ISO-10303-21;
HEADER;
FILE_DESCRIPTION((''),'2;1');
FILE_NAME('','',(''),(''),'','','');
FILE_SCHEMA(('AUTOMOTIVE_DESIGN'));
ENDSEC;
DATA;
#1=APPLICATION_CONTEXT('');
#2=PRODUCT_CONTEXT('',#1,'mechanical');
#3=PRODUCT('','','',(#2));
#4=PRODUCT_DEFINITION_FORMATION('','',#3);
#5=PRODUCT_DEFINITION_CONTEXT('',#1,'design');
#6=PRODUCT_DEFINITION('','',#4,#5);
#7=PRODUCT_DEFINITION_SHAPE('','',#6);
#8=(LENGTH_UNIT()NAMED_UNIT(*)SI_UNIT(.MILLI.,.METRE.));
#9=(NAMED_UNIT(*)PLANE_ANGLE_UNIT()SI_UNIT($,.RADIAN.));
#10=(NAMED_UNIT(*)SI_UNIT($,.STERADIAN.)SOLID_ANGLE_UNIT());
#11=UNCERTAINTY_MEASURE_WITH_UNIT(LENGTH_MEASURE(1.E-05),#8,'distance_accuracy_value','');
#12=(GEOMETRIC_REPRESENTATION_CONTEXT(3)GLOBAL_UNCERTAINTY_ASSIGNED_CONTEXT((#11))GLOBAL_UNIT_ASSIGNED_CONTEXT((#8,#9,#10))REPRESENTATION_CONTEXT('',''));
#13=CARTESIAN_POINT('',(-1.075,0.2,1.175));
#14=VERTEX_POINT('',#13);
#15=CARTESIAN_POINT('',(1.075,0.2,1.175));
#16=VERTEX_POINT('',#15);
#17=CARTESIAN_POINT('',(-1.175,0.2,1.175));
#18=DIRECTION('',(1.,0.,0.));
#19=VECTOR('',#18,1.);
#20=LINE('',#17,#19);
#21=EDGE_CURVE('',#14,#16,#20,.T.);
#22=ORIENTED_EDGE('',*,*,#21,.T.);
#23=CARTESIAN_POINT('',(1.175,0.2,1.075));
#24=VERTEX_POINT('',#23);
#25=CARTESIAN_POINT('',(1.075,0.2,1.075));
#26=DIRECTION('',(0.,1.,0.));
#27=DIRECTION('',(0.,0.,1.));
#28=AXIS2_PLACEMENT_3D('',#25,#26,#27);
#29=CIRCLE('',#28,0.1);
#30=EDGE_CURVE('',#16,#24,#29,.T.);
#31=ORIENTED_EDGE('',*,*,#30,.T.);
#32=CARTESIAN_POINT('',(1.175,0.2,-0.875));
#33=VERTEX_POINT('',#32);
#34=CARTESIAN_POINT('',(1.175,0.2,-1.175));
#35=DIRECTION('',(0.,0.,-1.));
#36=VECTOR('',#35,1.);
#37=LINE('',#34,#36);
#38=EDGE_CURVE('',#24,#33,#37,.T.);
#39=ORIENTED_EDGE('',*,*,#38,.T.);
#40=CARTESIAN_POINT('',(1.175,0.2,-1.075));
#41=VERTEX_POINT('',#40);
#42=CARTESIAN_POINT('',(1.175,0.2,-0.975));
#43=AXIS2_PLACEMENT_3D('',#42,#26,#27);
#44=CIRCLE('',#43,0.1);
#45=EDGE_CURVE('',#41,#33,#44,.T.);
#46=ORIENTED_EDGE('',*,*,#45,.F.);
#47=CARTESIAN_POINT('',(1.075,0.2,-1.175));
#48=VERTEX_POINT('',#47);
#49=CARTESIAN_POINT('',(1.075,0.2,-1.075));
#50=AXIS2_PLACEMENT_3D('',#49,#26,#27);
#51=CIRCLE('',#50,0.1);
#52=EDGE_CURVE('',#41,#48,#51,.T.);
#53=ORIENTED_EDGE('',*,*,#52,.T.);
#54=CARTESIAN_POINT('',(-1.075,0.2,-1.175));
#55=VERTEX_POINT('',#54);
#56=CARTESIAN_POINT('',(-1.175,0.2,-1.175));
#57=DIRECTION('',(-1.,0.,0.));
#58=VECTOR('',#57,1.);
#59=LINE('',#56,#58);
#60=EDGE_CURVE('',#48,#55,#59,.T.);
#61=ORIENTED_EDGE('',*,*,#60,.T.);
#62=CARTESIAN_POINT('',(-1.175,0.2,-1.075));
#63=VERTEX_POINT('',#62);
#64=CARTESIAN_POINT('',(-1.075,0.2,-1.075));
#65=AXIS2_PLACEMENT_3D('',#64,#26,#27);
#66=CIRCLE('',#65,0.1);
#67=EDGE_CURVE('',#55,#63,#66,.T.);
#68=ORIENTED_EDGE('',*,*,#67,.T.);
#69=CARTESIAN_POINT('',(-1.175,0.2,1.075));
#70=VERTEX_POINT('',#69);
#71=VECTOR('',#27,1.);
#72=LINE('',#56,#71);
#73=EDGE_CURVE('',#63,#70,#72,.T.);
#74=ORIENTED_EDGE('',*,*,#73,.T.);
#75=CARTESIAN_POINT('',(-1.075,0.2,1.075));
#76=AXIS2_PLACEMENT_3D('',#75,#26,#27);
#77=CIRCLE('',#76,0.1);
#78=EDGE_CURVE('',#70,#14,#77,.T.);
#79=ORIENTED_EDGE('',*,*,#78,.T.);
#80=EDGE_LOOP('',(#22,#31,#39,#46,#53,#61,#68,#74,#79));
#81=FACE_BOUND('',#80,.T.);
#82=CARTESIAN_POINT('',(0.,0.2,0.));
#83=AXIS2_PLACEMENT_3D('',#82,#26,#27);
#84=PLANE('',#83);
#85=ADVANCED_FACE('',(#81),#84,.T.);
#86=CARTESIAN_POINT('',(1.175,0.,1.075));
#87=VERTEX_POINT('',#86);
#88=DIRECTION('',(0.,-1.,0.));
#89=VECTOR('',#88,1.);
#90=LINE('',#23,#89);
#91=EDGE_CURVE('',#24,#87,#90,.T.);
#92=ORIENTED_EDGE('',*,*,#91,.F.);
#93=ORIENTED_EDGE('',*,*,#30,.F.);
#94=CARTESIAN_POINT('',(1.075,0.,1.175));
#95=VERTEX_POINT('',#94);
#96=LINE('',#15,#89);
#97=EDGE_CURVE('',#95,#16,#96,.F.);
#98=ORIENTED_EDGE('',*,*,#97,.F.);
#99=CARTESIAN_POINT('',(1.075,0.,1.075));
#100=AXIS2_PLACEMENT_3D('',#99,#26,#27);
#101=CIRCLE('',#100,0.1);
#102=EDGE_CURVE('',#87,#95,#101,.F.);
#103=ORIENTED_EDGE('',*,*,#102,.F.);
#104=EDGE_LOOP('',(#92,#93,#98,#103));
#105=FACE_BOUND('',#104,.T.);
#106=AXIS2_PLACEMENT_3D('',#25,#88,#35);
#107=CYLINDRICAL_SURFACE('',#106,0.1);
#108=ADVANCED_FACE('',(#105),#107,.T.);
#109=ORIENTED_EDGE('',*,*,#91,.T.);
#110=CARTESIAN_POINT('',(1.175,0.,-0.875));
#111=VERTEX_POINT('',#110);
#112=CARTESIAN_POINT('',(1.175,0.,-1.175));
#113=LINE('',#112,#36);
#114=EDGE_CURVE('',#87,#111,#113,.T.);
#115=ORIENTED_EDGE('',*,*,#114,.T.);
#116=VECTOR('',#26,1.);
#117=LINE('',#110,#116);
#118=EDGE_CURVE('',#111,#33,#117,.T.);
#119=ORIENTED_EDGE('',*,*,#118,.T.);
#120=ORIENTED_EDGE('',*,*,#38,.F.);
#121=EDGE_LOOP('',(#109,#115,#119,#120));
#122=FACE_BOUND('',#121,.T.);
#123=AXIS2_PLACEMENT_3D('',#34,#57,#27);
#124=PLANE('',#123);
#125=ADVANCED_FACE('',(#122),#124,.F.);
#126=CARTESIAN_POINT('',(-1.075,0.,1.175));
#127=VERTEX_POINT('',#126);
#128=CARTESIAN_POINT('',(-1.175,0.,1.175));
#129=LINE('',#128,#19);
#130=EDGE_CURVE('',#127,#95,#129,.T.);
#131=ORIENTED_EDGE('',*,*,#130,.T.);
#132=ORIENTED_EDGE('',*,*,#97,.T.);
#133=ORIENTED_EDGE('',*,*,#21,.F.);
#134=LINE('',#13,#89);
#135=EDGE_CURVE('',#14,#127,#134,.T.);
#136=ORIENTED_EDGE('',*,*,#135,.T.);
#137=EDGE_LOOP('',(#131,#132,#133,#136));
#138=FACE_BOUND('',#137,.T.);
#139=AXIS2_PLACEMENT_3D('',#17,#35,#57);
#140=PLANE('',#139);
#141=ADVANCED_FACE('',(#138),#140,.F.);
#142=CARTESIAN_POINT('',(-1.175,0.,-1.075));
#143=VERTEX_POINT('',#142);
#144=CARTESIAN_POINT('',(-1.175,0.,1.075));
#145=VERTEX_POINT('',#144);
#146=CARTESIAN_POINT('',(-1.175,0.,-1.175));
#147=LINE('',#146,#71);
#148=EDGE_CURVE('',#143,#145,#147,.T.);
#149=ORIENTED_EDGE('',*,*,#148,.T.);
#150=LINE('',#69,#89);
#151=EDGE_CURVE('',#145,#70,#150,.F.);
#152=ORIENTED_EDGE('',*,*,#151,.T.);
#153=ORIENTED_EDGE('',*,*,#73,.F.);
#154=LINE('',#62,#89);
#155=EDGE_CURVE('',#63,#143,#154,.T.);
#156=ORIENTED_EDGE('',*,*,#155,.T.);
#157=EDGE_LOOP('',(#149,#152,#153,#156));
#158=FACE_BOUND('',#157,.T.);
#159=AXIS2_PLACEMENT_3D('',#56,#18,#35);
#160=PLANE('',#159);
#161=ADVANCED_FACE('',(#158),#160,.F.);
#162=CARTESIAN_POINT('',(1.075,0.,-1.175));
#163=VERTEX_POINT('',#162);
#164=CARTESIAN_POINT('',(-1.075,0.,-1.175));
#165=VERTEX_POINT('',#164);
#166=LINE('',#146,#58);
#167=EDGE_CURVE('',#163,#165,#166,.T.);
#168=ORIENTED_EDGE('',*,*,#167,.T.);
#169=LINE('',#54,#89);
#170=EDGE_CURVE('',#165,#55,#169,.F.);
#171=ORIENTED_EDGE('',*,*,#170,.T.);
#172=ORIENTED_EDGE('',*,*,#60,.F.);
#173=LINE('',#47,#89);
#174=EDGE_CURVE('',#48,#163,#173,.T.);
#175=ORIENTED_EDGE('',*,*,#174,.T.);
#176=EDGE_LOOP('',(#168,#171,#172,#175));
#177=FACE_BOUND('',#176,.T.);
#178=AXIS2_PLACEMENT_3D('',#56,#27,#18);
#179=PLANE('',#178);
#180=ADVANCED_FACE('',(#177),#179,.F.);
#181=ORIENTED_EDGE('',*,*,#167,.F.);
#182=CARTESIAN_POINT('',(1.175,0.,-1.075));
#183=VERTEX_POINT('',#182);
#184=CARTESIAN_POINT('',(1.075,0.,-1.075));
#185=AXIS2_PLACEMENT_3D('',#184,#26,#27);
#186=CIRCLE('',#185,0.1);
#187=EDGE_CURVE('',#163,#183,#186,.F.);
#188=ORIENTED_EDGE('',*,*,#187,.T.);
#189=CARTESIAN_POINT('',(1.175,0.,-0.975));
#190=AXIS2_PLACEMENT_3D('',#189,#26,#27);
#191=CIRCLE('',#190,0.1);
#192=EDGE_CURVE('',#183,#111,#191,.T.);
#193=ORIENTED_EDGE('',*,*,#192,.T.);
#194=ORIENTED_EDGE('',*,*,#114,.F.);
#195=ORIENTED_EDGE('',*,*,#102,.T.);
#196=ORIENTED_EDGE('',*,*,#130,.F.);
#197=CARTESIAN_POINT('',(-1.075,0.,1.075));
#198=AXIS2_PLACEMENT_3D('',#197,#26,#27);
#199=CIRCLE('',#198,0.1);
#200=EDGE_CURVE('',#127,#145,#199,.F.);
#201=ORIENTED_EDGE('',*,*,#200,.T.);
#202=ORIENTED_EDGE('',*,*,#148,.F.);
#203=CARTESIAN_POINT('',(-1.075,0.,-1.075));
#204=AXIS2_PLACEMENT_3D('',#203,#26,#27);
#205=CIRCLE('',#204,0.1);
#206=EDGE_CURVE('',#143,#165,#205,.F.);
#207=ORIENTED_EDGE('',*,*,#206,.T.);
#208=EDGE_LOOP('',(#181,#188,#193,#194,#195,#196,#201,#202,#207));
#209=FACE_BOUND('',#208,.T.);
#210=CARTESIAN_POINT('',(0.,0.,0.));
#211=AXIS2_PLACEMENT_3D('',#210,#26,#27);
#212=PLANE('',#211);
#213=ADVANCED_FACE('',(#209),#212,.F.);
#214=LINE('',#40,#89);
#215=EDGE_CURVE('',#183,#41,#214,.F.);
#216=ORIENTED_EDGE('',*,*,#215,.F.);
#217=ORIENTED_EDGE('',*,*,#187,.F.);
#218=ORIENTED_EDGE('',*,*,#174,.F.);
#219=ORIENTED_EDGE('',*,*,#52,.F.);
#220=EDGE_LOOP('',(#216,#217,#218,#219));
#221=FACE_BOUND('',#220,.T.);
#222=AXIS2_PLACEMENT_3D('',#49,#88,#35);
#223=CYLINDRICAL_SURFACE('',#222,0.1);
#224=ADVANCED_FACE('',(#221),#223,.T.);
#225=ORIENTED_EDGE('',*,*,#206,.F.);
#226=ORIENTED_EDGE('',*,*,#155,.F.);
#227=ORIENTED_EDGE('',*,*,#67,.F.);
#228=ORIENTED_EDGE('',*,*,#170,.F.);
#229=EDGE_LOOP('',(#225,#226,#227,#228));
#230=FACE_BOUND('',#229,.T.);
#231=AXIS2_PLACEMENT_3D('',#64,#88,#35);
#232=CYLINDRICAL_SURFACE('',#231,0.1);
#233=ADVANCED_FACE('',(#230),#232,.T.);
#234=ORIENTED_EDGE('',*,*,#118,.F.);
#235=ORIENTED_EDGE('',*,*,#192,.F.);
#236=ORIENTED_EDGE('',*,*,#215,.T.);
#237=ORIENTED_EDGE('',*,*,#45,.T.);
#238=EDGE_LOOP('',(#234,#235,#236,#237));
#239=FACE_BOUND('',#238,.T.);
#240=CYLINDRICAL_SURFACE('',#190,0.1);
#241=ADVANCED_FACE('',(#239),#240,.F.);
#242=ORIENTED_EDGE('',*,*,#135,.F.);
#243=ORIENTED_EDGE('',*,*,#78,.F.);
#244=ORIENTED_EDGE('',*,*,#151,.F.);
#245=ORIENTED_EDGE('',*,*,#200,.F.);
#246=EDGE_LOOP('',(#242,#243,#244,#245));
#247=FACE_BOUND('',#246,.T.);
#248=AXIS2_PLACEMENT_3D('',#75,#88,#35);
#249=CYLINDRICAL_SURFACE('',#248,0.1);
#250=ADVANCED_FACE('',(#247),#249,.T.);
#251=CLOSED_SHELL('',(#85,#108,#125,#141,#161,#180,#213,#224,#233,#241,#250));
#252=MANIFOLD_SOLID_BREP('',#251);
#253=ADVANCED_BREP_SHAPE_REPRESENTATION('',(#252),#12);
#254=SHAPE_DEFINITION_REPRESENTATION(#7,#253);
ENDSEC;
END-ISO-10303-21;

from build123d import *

# Parameters (mm, degrees)
SKETCH1_W           = 2.35
SKETCH1_H           = 2.35
BOSS_EXTRUDE1_DEPTH = 0.2
FILLET1_R           = 0.1
SKETCH2_R           = 0.1
CUT_EXTRUDE1_DEPTH  = 1.2


with BuildPart() as part:
    # Sketch1 → Boss-Extrude1 (new body)
    with BuildSketch(Plane(origin=(0, 0, 0), x_dir=(1, 0, 0), z_dir=(0, 1, 0))):
        Rectangle(SKETCH1_W, SKETCH1_H)
    extrude(amount=BOSS_EXTRUDE1_DEPTH)

    # Fillet1
    fillet1_edges = [part.edges().sort_by_distance(p)[0] for p in [
        (1.175, 0.1, 1.175),
        (-1.175, 0.1, 1.175),
        (-1.175, 0.1, -1.175),
        (1.175, 0.1, -1.175),
    ]]
    fillet(fillet1_edges, radius=FILLET1_R)

    # Sketch2 → Cut-Extrude1 (cut, through all)
    with BuildSketch(Plane(origin=(0, 0.2, 0), x_dir=(1, 0, 0), z_dir=(0, 1, 0))):
        with Locations((1.175, 0.975)):
            Circle(SKETCH2_R)
    extrude(amount=-CUT_EXTRUDE1_DEPTH, mode=Mode.SUBTRACT)


solid = part.part
